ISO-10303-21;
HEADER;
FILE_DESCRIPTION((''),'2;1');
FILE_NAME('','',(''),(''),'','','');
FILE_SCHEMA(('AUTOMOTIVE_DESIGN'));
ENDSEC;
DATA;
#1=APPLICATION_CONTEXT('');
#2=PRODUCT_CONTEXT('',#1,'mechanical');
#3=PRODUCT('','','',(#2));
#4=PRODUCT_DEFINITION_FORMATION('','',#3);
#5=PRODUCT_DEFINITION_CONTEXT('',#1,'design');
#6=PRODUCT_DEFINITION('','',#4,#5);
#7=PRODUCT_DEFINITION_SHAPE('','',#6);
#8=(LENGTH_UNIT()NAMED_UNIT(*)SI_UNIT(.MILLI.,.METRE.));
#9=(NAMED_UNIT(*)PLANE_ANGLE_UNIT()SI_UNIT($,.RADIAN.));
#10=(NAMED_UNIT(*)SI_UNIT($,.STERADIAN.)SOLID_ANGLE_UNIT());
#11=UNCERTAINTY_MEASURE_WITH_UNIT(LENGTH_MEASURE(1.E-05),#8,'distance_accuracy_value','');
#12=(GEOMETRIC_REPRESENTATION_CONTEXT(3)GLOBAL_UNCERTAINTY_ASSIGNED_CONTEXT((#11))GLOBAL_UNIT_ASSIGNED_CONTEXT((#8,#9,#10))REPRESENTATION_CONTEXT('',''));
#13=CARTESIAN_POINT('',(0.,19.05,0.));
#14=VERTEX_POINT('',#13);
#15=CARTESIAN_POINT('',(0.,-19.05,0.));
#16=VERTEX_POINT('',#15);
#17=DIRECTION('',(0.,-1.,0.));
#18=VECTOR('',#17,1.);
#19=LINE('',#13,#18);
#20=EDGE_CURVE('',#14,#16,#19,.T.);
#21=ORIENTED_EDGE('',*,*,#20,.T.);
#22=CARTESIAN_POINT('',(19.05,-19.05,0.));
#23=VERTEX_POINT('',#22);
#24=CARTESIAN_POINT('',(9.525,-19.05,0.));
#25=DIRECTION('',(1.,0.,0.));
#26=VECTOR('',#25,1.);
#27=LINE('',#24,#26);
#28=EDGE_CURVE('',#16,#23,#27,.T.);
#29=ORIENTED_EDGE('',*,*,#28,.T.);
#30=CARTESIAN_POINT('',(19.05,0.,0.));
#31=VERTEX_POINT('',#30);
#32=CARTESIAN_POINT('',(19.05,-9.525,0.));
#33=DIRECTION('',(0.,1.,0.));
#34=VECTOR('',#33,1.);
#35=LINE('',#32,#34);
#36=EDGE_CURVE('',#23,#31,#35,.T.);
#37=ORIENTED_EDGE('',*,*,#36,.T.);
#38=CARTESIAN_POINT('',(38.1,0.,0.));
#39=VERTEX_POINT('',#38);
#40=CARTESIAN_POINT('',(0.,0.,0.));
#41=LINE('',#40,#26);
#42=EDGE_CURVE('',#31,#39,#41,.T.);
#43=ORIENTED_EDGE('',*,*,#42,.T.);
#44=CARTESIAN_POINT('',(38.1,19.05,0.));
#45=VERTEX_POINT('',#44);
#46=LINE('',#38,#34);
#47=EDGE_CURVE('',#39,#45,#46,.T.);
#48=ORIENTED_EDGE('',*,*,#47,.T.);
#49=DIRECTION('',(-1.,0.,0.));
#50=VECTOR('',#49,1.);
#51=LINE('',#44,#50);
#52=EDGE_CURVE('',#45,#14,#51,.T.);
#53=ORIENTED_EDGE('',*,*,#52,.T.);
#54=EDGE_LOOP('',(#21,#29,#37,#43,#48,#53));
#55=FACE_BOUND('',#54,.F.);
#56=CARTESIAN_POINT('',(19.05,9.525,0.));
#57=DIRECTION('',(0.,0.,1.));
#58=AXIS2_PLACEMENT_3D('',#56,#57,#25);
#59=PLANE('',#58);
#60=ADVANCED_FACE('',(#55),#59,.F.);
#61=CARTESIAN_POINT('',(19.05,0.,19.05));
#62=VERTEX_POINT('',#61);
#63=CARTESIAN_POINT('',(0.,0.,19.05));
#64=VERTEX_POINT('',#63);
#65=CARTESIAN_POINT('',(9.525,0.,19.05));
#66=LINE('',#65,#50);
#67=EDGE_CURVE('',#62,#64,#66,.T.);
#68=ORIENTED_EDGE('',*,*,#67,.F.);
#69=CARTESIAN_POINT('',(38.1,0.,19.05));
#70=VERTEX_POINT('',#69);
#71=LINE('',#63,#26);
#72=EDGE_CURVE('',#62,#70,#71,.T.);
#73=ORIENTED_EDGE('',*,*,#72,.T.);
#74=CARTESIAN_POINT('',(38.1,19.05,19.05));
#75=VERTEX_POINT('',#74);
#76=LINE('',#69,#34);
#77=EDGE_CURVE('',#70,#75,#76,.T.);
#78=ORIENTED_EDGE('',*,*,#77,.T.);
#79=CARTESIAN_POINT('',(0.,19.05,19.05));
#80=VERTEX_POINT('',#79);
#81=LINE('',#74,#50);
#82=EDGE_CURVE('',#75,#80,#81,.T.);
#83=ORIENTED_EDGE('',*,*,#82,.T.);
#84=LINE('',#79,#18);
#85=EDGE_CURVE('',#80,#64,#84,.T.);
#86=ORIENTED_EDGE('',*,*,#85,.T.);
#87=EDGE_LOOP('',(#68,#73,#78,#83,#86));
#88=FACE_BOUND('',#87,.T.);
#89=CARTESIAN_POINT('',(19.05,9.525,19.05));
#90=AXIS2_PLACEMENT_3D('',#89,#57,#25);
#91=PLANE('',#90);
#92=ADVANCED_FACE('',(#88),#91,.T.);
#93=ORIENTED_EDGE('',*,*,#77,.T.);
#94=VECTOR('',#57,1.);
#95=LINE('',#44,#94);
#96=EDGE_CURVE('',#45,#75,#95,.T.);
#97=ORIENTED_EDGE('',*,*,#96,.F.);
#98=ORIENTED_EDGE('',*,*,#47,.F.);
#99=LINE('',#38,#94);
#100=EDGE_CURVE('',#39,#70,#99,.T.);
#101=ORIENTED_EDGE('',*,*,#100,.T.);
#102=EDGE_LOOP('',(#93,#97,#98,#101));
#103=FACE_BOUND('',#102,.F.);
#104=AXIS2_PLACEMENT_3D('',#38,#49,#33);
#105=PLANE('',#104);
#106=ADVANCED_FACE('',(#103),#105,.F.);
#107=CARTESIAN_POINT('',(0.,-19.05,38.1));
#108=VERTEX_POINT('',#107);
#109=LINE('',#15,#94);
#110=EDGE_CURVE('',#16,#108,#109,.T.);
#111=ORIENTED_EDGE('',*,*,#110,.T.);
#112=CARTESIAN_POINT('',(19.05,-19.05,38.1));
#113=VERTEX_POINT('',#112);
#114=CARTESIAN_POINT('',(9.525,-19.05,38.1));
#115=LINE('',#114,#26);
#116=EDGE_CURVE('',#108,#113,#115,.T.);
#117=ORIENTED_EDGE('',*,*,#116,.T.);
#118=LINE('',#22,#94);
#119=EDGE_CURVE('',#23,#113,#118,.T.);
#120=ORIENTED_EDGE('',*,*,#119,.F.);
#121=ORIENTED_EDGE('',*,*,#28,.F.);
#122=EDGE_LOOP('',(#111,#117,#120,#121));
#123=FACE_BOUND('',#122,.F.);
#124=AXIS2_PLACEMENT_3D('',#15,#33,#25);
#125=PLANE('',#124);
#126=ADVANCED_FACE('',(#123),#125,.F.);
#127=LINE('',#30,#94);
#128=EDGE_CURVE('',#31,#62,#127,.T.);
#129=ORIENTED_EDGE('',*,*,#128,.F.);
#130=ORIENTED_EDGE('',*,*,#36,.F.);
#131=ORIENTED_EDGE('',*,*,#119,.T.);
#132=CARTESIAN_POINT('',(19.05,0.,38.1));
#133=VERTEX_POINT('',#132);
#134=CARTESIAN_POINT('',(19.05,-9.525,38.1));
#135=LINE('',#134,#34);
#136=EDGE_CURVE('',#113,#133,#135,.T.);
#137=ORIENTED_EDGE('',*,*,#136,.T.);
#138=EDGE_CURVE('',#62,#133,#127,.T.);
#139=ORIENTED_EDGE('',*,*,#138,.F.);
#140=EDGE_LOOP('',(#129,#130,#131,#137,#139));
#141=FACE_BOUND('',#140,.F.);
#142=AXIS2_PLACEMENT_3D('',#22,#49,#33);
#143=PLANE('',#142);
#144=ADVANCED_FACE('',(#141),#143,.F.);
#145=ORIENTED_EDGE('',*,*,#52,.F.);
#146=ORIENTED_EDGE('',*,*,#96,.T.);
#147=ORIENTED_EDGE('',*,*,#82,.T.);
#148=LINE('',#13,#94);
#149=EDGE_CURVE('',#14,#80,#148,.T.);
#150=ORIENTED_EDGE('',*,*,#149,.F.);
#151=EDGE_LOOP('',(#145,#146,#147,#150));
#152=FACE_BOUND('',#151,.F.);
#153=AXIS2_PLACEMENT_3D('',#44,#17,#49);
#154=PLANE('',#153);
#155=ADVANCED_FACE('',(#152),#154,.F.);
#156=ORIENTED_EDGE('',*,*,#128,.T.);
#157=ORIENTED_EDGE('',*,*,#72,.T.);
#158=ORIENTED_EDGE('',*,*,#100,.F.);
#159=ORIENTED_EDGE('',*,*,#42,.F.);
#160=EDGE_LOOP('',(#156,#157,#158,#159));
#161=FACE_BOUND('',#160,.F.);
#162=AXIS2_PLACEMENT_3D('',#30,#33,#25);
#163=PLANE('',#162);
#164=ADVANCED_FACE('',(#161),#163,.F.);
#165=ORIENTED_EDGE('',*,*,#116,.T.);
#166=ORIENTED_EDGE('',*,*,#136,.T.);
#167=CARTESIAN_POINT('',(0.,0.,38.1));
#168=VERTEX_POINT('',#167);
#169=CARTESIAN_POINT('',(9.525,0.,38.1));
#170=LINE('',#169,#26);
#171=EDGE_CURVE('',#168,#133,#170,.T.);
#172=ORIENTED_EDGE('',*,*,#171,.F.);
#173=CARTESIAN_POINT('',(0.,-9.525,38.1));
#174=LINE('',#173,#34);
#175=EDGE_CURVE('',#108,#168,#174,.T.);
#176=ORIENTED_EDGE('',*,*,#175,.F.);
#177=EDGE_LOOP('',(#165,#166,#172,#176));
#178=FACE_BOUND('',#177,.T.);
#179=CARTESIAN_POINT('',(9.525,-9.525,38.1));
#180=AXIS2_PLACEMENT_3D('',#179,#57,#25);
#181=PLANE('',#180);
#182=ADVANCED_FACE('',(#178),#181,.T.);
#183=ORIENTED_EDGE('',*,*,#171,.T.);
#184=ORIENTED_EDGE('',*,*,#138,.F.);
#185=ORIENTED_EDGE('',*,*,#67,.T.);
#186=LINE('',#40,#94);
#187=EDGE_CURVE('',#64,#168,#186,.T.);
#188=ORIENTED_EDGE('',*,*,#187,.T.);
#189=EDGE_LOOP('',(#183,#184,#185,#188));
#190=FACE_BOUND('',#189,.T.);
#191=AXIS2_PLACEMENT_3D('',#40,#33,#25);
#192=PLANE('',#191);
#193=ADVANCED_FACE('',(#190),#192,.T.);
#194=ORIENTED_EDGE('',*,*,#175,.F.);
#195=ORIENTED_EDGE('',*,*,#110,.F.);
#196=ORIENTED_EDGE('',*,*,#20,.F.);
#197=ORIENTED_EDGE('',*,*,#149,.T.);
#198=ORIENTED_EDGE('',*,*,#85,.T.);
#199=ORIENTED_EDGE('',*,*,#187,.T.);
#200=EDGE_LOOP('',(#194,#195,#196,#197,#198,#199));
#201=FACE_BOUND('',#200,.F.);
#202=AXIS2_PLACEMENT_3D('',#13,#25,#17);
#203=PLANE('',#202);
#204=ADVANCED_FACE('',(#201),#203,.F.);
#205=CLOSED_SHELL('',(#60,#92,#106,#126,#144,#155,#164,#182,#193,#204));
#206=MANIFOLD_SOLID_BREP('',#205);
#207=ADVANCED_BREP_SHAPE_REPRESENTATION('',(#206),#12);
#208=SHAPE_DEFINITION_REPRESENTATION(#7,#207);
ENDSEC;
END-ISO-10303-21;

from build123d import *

# Parameters (mm, degrees)
F0_W     = 19.05
F0_H     = 19.05
F1_DEPTH = 19.05
F2_W     = 19.05
F2_H     = 19.05
F3_DEPTH = 38.1


with BuildPart() as f1:
    # F0 (on Top) → F1 (new body)
    with BuildSketch(Plane.XY):
        Polygon((0, 19.05), (0, 0), (19.05, 0), (38.1, 0), (38.1, 19.05), align=None)
        with Locations((9.525, -9.525)):
            Rectangle(F0_W, F0_H)
    extrude(amount=F1_DEPTH)

    # F2 (on Top) → F3 (join)
    with BuildSketch(Plane.XY):
        with Locations((9.525, -9.525)):
            Rectangle(F2_W, F2_H)
    extrude(amount=F3_DEPTH)


solid = f1.part
